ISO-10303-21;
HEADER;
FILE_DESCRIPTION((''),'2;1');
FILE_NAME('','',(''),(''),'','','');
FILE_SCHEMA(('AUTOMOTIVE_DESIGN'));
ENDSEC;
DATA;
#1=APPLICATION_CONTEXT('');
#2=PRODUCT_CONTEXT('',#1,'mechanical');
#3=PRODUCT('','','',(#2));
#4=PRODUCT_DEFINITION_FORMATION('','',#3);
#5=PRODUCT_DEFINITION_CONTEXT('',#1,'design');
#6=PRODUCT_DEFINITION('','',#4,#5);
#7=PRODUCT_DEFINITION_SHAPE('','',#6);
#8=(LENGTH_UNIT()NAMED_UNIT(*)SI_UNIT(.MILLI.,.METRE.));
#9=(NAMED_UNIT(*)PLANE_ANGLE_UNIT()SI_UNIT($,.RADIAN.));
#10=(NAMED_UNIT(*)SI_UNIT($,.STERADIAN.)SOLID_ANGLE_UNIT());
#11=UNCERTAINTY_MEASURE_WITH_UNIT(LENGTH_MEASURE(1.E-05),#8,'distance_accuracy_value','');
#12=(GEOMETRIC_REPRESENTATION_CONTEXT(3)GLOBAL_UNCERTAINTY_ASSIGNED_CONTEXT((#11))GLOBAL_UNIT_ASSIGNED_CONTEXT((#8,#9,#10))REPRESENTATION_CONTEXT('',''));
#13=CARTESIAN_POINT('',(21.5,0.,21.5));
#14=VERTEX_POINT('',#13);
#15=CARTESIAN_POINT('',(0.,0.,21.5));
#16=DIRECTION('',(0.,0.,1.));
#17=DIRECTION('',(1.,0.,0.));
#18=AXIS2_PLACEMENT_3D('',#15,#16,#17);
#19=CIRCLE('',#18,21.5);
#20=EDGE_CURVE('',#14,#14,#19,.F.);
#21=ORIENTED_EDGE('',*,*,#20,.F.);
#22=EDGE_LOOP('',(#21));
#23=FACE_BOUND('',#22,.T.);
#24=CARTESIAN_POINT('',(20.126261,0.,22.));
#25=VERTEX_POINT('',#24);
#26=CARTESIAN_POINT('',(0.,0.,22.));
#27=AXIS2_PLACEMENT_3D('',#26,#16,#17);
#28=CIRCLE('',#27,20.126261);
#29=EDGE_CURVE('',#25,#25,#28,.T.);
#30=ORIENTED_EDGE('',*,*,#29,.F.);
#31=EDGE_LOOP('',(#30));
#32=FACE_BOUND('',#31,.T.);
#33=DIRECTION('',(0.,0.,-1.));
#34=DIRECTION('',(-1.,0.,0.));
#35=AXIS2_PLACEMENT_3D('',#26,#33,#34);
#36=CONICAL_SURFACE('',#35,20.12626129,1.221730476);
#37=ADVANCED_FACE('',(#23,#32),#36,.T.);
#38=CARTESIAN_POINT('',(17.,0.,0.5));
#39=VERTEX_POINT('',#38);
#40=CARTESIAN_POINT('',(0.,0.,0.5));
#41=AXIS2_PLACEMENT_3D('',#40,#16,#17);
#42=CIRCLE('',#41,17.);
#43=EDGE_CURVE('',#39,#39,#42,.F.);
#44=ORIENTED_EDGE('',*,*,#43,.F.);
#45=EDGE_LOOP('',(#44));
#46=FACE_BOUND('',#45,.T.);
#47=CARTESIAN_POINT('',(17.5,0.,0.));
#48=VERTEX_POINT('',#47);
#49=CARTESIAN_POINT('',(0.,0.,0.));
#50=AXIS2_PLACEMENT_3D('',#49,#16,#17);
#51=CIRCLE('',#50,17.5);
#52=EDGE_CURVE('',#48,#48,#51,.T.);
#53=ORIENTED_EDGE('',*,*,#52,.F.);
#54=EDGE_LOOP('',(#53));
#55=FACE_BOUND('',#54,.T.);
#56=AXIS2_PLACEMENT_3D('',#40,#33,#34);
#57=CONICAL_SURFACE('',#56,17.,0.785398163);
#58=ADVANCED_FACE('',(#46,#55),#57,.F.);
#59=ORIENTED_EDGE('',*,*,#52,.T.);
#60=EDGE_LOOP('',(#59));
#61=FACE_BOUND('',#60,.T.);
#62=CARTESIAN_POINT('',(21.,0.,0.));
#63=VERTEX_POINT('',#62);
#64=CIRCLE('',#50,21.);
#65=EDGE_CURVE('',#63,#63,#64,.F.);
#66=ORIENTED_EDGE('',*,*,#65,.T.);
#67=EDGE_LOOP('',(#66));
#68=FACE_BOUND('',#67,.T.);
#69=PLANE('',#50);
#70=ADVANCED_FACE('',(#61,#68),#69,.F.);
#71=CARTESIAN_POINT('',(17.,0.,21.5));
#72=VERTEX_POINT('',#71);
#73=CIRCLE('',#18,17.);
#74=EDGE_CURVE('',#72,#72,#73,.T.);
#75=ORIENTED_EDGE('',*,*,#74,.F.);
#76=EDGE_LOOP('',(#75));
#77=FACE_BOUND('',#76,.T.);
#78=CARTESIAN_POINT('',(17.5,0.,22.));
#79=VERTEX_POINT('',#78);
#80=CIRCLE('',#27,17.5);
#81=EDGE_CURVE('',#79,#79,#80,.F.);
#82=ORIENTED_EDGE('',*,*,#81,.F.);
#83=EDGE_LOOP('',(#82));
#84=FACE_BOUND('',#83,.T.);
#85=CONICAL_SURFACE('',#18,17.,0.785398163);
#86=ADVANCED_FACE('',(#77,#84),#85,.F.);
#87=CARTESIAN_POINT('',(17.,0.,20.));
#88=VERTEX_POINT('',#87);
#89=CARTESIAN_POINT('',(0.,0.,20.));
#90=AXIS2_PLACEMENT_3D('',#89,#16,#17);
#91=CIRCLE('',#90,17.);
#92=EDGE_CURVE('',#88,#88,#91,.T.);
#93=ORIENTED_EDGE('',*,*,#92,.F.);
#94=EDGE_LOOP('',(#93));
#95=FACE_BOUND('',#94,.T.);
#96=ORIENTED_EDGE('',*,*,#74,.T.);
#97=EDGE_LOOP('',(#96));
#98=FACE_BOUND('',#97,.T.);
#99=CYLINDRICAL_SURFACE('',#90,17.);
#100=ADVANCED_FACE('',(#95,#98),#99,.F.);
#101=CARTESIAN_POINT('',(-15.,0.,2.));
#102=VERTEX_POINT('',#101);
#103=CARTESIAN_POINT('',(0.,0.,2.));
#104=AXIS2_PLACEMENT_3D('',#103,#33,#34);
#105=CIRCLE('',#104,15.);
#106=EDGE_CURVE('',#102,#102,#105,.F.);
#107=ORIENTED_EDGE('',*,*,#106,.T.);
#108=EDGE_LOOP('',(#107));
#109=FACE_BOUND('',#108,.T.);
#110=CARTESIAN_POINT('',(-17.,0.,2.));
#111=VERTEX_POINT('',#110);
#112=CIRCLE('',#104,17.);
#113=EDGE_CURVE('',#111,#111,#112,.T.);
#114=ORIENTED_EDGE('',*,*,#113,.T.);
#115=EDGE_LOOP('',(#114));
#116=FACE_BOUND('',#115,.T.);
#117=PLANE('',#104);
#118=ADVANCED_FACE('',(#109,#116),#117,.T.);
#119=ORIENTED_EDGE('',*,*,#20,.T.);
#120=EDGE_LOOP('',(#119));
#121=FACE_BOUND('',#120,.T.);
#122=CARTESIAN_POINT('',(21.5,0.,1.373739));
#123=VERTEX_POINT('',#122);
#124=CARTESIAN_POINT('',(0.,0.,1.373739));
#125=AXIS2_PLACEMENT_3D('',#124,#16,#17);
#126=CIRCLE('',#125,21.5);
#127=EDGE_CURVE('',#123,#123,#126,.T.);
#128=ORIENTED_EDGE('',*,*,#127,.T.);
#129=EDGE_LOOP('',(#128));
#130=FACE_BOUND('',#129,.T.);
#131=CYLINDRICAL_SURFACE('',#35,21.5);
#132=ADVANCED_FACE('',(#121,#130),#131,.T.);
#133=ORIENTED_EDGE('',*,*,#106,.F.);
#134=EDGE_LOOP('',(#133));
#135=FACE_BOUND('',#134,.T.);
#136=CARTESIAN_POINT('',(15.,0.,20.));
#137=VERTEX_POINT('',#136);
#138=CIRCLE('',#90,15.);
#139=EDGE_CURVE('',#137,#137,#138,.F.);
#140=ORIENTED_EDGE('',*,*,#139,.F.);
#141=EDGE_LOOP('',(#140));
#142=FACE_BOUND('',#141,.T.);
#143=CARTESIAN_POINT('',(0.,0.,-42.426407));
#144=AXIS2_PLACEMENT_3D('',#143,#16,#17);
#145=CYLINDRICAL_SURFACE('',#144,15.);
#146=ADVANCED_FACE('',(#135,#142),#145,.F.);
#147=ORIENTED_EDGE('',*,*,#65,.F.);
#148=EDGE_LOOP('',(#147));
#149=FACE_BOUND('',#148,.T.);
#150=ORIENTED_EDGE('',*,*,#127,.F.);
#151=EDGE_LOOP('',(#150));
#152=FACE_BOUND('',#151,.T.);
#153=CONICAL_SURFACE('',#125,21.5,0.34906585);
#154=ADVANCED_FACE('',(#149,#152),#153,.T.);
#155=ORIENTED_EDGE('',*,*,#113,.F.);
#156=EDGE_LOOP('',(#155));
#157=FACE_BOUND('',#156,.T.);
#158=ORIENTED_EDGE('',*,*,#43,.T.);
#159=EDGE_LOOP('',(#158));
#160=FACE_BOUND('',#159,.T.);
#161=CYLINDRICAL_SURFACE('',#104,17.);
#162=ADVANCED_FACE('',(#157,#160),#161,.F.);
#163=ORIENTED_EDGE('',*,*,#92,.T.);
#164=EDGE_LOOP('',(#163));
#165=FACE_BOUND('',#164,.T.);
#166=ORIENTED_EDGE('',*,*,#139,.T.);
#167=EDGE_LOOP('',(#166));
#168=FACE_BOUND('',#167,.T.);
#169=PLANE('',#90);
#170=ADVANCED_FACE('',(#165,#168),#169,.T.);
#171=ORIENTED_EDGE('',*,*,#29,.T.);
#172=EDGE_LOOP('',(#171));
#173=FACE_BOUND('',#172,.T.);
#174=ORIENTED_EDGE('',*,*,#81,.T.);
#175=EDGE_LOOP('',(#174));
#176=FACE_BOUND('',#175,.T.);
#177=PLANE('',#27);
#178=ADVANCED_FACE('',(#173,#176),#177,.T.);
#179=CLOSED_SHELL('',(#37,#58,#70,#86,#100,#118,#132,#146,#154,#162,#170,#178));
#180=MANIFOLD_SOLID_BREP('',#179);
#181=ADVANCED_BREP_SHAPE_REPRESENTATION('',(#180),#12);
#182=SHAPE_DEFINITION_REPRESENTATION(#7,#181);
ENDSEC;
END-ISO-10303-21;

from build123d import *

# Parameters (mm, degrees)
SKETCH1_R           = 21.5
BOSS_EXTRUDE1_DEPTH = 22
SKETCH3_R           = 15
CUT_EXTRUDE1_DEPTH  = 22
SKETCH4_R           = 17
CUT_EXTRUDE2_DEPTH  = 2
CUT_EXTRUDE3_START  = -2
SKETCH5_R           = 17
CUT_EXTRUDE3_DEPTH  = 2
CHAMFER1_SIZE       = 0.5
CHAMFER3_SIZE       = 0.5
CHAMFER3_SIZE2      = 1.37373871
CHAMFER5_SIZE       = 0.5
CHAMFER5_SIZE2      = 1.37373871


with BuildPart() as part:
    # Sketch1 → Boss-Extrude1 (new body)
    with BuildSketch(Plane.XY):
        Circle(SKETCH1_R)
    extrude(amount=BOSS_EXTRUDE1_DEPTH)

    # Sketch3 → Cut-Extrude1 (cut)
    with BuildSketch(Plane.XY.offset(22)):
        Circle(SKETCH3_R)
    extrude(amount=-CUT_EXTRUDE1_DEPTH, mode=Mode.SUBTRACT)

    # Sketch4 → Cut-Extrude2 (cut)
    with BuildSketch(Plane.XY.offset(22)):
        Circle(SKETCH4_R)
    extrude(amount=-CUT_EXTRUDE2_DEPTH, mode=Mode.SUBTRACT)

    # Sketch5 → Cut-Extrude3 (cut)
    with BuildSketch(Plane(origin=(0, 0, 0), x_dir=(-1, 0, 0), z_dir=(0, 0, -1)).offset(CUT_EXTRUDE3_START)):
        with Locations(Location((0, 0, 0), (0, 0, 180))):
            Circle(SKETCH5_R)
    extrude(amount=CUT_EXTRUDE3_DEPTH, mode=Mode.SUBTRACT)

    # Chamfer1
    chamfer1_edges = [part.edges().sort_by_distance(p)[0] for p in [
        (-17, 0, 22),
        (-17, 0, 0),
    ]]
    chamfer(chamfer1_edges, length=CHAMFER1_SIZE)

    # Chamfer3
    chamfer3_edges = [part.edges().sort_by_distance(p)[0] for p in [
        (-21.5, 0, 0),
    ]]
    chamfer3_side = [part.faces().sort_by_distance(p)[0] for p in [
        (-18.108111832, 0, 0),
    ]]
    chamfer(chamfer3_edges, length=CHAMFER3_SIZE, length2=CHAMFER3_SIZE2, reference=chamfer3_side[0])

    # Chamfer5
    chamfer5_edges = [part.edges().sort_by_distance(p)[0] for p in [
        (-21.5, 0, 22),
    ]]
    chamfer5_side = [part.faces().sort_by_distance(p)[0] for p in [
        (-21.5, 0, 11.686869355),
    ]]
    chamfer(chamfer5_edges, length=CHAMFER5_SIZE, length2=CHAMFER5_SIZE2, reference=chamfer5_side[0])


solid = part.part
